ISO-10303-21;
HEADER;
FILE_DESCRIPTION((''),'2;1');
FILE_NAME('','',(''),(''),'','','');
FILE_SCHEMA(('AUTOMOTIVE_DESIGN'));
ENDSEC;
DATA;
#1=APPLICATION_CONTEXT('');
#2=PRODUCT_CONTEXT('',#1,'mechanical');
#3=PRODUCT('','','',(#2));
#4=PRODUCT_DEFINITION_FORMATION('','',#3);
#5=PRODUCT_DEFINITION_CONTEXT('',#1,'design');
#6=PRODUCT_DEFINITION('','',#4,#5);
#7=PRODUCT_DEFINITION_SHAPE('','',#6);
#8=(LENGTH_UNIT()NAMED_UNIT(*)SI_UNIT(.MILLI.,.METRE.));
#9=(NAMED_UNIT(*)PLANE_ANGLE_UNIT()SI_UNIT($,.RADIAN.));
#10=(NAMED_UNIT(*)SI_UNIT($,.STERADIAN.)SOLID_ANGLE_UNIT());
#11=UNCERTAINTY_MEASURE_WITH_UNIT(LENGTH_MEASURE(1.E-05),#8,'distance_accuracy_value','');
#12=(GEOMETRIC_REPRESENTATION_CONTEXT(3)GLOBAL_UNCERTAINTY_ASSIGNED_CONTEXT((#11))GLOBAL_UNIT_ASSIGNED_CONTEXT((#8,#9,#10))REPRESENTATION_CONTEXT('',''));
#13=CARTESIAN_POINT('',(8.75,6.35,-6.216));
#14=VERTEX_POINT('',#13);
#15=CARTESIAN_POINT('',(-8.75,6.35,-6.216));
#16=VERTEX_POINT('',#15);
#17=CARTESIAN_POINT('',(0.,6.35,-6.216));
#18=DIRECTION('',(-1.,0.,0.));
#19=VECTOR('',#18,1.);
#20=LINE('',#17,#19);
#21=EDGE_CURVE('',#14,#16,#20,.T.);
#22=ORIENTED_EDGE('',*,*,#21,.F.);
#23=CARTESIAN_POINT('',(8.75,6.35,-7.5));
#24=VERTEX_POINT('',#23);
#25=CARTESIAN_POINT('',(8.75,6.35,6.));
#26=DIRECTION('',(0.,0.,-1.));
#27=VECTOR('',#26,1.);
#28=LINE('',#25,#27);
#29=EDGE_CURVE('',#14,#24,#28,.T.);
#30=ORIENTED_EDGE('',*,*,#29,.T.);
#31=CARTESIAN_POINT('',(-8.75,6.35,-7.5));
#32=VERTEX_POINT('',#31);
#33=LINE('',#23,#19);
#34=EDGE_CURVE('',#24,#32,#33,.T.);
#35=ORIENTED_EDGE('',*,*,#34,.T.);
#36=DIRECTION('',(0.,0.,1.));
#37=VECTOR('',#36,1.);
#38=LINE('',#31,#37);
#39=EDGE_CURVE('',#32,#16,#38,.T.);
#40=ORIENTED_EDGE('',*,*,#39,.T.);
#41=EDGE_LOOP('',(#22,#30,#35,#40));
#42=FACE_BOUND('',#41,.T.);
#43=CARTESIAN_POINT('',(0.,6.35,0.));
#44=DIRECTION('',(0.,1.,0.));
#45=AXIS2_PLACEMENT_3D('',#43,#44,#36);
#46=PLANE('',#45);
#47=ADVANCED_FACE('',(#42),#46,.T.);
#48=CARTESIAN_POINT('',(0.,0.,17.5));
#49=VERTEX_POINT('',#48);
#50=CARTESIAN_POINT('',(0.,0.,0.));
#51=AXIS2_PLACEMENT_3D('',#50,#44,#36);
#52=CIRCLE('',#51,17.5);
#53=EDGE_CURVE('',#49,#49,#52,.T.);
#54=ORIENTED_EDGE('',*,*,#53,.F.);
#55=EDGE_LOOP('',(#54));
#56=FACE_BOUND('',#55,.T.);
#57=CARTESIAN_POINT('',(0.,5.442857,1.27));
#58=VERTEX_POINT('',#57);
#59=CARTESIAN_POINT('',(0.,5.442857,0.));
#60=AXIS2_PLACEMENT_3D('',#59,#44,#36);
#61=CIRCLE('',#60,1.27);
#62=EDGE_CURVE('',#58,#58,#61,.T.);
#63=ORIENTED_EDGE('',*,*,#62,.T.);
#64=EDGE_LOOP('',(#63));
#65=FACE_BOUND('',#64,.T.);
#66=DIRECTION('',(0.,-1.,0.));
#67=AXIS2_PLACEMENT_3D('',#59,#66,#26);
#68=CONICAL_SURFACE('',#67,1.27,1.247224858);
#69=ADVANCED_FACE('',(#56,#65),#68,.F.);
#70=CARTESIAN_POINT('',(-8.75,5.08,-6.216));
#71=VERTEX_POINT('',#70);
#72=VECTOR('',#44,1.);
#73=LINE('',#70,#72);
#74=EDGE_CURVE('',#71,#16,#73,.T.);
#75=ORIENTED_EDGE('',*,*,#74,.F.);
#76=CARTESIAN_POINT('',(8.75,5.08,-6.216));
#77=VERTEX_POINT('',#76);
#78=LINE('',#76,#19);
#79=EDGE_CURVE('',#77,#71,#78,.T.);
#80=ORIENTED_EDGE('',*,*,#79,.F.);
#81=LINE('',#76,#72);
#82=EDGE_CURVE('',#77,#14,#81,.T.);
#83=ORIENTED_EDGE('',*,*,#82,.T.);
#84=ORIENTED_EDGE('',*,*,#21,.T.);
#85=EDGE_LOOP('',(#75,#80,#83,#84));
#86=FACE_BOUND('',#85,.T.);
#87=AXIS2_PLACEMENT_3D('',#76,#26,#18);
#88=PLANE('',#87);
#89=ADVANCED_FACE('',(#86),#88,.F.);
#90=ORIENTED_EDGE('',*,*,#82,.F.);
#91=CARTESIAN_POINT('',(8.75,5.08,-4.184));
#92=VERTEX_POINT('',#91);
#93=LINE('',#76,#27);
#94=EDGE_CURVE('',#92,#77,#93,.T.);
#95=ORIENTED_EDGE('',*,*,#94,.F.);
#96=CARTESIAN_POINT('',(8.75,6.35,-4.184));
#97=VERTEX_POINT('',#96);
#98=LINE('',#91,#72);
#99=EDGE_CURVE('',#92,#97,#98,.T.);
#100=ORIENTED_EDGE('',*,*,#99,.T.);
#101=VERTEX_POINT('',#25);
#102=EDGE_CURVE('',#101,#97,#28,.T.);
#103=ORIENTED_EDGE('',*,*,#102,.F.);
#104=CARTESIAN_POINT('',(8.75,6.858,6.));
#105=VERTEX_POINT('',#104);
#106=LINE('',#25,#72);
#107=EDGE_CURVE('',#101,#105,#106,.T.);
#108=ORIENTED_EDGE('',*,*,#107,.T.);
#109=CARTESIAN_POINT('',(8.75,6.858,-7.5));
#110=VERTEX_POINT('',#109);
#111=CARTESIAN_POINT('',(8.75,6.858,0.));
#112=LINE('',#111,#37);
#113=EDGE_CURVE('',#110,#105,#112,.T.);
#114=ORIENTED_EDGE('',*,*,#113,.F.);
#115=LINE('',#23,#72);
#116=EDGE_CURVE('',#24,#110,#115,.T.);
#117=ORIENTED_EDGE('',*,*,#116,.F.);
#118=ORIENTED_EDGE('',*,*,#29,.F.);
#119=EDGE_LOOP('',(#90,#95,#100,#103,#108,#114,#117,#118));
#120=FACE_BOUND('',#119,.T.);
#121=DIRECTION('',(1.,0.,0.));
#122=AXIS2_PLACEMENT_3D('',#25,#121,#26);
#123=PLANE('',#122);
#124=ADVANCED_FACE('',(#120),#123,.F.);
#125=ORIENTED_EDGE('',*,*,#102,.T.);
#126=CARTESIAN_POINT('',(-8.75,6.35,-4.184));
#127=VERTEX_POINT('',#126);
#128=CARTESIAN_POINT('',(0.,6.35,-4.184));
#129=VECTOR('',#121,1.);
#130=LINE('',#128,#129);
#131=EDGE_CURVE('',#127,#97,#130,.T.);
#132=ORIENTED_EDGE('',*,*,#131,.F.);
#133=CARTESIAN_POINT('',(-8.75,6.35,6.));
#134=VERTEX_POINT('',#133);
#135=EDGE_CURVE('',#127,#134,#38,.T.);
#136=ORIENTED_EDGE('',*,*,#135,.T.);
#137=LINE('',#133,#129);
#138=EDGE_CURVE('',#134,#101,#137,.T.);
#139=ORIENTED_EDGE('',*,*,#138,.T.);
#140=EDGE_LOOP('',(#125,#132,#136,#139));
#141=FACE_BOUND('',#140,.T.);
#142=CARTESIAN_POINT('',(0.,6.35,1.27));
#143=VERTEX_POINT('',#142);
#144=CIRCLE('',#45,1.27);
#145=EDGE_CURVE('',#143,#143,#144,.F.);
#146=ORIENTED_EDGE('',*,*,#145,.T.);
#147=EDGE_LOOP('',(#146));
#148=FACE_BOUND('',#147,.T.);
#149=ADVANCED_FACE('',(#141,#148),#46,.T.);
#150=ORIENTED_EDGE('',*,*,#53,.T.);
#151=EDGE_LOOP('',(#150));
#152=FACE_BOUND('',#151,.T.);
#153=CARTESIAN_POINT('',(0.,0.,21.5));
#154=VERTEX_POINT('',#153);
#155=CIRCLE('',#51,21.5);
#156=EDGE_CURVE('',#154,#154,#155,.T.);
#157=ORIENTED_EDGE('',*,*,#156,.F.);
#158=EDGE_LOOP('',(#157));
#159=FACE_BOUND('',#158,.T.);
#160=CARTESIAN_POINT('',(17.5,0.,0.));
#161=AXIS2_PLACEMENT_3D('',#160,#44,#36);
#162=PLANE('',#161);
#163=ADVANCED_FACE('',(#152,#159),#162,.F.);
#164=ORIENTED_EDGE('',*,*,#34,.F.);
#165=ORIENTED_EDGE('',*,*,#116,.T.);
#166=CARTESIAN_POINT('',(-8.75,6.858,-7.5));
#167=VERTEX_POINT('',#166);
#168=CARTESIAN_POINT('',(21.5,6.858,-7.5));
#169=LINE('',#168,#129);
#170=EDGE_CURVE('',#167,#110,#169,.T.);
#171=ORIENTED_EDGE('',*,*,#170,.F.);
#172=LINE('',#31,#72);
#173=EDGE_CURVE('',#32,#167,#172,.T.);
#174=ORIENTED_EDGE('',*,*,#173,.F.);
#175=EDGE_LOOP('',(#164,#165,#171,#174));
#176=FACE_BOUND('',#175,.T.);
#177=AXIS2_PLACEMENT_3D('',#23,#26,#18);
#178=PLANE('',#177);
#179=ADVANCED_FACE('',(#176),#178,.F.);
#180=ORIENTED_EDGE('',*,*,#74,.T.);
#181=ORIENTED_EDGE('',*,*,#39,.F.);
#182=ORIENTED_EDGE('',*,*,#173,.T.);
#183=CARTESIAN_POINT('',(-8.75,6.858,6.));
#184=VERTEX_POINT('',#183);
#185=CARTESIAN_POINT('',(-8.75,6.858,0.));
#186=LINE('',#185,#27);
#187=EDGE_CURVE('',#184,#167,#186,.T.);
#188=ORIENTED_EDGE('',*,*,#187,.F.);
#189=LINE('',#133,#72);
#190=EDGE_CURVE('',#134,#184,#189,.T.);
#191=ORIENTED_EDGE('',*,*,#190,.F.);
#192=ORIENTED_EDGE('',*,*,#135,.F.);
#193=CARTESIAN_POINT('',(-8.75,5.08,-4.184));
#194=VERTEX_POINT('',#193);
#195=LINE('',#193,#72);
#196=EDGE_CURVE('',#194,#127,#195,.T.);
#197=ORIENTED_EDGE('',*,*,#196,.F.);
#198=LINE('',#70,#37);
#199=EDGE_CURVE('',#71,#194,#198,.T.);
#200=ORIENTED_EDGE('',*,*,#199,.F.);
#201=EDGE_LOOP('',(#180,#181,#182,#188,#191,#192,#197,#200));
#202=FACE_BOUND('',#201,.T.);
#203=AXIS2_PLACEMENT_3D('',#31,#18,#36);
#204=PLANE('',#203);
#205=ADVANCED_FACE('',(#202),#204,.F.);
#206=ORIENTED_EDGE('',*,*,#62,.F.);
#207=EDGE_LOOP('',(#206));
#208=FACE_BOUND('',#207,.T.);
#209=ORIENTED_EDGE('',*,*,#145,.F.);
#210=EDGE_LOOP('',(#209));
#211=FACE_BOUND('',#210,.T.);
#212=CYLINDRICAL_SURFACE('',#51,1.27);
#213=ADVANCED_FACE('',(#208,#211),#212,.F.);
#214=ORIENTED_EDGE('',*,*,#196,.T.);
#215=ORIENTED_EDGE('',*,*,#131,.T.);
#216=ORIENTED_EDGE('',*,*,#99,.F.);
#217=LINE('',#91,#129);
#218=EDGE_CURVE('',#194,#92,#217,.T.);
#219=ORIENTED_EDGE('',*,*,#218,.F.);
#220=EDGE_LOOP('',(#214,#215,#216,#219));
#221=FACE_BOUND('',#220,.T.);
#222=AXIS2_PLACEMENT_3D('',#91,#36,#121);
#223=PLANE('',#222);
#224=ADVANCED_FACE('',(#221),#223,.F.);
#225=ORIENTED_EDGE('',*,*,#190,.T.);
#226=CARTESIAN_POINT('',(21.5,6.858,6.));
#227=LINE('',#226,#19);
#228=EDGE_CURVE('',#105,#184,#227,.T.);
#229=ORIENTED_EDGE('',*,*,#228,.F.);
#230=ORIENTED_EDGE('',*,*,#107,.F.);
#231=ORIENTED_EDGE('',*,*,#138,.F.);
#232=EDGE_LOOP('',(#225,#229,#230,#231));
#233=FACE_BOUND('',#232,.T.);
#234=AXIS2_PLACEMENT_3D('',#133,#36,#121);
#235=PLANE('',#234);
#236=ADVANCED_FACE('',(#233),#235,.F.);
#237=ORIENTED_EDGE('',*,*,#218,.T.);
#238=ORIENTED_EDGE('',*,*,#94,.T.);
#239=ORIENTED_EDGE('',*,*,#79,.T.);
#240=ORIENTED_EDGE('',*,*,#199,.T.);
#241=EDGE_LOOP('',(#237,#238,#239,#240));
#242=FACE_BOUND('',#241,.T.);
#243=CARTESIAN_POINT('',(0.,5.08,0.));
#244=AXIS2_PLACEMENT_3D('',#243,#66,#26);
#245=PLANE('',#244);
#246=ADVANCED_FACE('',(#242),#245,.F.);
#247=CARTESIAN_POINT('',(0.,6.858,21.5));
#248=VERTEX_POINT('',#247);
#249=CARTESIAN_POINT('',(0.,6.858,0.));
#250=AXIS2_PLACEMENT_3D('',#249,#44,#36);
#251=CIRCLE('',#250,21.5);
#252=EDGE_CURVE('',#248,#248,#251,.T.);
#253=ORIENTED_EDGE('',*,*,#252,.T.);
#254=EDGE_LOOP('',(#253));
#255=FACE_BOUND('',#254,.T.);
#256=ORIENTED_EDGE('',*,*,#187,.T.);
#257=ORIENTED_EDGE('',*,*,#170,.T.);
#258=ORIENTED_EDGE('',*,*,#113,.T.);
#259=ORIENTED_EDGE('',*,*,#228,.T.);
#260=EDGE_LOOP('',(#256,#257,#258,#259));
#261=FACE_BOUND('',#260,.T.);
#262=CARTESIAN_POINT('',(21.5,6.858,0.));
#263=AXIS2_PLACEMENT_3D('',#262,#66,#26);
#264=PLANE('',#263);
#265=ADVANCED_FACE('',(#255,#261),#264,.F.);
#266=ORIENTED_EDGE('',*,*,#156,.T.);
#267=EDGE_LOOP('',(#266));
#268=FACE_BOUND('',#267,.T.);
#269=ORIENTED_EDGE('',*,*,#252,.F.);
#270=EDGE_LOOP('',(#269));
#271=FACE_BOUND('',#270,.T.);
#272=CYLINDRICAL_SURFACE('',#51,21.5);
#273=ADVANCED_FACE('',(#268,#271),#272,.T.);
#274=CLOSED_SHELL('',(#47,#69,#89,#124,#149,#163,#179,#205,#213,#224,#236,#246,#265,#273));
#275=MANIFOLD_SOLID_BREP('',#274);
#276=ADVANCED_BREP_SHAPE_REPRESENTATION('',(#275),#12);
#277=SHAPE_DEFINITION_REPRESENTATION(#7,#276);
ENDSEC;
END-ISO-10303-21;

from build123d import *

# Parameters (mm, degrees)
SKETCH5_W          = 17.5
SKETCH5_H          = 13.5
CUT_EXTRUDE1_DEPTH = 6.35
SKETCH6_W          = 17.5
SKETCH6_H          = 2.032
CUT_EXTRUDE2_DEPTH = 10.16


with BuildPart() as part:
    # Sketch3 → Revolve1 (revolve)
    with BuildSketch(Plane.XY):
        Polygon((17.5, 0), (1.27, 5.442857143), (1.27, 6.858), (21.5, 6.858), (21.5, 0), align=None)
    revolve(axis=Axis((0, 0, 0), (0, -1, 0)))

    # Sketch5 → Cut-Extrude1 (cut)
    with BuildSketch(Plane(origin=(0, 12.7, 0), x_dir=(1, 0, 0), z_dir=(0, 1, 0))):
        with Locations((0, 0.75)):
            Rectangle(SKETCH5_W, SKETCH5_H)
    extrude(amount=-CUT_EXTRUDE1_DEPTH, mode=Mode.SUBTRACT)

    # Sketch6 → Cut-Extrude2 (cut)
    with BuildSketch(Plane(origin=(0, 15.24, 0), x_dir=(1, 0, 0), z_dir=(0, 1, 0))):
        with Locations((0, 5.2)):
            Rectangle(SKETCH6_W, SKETCH6_H)
    extrude(amount=-CUT_EXTRUDE2_DEPTH, mode=Mode.SUBTRACT)


solid = part.part
